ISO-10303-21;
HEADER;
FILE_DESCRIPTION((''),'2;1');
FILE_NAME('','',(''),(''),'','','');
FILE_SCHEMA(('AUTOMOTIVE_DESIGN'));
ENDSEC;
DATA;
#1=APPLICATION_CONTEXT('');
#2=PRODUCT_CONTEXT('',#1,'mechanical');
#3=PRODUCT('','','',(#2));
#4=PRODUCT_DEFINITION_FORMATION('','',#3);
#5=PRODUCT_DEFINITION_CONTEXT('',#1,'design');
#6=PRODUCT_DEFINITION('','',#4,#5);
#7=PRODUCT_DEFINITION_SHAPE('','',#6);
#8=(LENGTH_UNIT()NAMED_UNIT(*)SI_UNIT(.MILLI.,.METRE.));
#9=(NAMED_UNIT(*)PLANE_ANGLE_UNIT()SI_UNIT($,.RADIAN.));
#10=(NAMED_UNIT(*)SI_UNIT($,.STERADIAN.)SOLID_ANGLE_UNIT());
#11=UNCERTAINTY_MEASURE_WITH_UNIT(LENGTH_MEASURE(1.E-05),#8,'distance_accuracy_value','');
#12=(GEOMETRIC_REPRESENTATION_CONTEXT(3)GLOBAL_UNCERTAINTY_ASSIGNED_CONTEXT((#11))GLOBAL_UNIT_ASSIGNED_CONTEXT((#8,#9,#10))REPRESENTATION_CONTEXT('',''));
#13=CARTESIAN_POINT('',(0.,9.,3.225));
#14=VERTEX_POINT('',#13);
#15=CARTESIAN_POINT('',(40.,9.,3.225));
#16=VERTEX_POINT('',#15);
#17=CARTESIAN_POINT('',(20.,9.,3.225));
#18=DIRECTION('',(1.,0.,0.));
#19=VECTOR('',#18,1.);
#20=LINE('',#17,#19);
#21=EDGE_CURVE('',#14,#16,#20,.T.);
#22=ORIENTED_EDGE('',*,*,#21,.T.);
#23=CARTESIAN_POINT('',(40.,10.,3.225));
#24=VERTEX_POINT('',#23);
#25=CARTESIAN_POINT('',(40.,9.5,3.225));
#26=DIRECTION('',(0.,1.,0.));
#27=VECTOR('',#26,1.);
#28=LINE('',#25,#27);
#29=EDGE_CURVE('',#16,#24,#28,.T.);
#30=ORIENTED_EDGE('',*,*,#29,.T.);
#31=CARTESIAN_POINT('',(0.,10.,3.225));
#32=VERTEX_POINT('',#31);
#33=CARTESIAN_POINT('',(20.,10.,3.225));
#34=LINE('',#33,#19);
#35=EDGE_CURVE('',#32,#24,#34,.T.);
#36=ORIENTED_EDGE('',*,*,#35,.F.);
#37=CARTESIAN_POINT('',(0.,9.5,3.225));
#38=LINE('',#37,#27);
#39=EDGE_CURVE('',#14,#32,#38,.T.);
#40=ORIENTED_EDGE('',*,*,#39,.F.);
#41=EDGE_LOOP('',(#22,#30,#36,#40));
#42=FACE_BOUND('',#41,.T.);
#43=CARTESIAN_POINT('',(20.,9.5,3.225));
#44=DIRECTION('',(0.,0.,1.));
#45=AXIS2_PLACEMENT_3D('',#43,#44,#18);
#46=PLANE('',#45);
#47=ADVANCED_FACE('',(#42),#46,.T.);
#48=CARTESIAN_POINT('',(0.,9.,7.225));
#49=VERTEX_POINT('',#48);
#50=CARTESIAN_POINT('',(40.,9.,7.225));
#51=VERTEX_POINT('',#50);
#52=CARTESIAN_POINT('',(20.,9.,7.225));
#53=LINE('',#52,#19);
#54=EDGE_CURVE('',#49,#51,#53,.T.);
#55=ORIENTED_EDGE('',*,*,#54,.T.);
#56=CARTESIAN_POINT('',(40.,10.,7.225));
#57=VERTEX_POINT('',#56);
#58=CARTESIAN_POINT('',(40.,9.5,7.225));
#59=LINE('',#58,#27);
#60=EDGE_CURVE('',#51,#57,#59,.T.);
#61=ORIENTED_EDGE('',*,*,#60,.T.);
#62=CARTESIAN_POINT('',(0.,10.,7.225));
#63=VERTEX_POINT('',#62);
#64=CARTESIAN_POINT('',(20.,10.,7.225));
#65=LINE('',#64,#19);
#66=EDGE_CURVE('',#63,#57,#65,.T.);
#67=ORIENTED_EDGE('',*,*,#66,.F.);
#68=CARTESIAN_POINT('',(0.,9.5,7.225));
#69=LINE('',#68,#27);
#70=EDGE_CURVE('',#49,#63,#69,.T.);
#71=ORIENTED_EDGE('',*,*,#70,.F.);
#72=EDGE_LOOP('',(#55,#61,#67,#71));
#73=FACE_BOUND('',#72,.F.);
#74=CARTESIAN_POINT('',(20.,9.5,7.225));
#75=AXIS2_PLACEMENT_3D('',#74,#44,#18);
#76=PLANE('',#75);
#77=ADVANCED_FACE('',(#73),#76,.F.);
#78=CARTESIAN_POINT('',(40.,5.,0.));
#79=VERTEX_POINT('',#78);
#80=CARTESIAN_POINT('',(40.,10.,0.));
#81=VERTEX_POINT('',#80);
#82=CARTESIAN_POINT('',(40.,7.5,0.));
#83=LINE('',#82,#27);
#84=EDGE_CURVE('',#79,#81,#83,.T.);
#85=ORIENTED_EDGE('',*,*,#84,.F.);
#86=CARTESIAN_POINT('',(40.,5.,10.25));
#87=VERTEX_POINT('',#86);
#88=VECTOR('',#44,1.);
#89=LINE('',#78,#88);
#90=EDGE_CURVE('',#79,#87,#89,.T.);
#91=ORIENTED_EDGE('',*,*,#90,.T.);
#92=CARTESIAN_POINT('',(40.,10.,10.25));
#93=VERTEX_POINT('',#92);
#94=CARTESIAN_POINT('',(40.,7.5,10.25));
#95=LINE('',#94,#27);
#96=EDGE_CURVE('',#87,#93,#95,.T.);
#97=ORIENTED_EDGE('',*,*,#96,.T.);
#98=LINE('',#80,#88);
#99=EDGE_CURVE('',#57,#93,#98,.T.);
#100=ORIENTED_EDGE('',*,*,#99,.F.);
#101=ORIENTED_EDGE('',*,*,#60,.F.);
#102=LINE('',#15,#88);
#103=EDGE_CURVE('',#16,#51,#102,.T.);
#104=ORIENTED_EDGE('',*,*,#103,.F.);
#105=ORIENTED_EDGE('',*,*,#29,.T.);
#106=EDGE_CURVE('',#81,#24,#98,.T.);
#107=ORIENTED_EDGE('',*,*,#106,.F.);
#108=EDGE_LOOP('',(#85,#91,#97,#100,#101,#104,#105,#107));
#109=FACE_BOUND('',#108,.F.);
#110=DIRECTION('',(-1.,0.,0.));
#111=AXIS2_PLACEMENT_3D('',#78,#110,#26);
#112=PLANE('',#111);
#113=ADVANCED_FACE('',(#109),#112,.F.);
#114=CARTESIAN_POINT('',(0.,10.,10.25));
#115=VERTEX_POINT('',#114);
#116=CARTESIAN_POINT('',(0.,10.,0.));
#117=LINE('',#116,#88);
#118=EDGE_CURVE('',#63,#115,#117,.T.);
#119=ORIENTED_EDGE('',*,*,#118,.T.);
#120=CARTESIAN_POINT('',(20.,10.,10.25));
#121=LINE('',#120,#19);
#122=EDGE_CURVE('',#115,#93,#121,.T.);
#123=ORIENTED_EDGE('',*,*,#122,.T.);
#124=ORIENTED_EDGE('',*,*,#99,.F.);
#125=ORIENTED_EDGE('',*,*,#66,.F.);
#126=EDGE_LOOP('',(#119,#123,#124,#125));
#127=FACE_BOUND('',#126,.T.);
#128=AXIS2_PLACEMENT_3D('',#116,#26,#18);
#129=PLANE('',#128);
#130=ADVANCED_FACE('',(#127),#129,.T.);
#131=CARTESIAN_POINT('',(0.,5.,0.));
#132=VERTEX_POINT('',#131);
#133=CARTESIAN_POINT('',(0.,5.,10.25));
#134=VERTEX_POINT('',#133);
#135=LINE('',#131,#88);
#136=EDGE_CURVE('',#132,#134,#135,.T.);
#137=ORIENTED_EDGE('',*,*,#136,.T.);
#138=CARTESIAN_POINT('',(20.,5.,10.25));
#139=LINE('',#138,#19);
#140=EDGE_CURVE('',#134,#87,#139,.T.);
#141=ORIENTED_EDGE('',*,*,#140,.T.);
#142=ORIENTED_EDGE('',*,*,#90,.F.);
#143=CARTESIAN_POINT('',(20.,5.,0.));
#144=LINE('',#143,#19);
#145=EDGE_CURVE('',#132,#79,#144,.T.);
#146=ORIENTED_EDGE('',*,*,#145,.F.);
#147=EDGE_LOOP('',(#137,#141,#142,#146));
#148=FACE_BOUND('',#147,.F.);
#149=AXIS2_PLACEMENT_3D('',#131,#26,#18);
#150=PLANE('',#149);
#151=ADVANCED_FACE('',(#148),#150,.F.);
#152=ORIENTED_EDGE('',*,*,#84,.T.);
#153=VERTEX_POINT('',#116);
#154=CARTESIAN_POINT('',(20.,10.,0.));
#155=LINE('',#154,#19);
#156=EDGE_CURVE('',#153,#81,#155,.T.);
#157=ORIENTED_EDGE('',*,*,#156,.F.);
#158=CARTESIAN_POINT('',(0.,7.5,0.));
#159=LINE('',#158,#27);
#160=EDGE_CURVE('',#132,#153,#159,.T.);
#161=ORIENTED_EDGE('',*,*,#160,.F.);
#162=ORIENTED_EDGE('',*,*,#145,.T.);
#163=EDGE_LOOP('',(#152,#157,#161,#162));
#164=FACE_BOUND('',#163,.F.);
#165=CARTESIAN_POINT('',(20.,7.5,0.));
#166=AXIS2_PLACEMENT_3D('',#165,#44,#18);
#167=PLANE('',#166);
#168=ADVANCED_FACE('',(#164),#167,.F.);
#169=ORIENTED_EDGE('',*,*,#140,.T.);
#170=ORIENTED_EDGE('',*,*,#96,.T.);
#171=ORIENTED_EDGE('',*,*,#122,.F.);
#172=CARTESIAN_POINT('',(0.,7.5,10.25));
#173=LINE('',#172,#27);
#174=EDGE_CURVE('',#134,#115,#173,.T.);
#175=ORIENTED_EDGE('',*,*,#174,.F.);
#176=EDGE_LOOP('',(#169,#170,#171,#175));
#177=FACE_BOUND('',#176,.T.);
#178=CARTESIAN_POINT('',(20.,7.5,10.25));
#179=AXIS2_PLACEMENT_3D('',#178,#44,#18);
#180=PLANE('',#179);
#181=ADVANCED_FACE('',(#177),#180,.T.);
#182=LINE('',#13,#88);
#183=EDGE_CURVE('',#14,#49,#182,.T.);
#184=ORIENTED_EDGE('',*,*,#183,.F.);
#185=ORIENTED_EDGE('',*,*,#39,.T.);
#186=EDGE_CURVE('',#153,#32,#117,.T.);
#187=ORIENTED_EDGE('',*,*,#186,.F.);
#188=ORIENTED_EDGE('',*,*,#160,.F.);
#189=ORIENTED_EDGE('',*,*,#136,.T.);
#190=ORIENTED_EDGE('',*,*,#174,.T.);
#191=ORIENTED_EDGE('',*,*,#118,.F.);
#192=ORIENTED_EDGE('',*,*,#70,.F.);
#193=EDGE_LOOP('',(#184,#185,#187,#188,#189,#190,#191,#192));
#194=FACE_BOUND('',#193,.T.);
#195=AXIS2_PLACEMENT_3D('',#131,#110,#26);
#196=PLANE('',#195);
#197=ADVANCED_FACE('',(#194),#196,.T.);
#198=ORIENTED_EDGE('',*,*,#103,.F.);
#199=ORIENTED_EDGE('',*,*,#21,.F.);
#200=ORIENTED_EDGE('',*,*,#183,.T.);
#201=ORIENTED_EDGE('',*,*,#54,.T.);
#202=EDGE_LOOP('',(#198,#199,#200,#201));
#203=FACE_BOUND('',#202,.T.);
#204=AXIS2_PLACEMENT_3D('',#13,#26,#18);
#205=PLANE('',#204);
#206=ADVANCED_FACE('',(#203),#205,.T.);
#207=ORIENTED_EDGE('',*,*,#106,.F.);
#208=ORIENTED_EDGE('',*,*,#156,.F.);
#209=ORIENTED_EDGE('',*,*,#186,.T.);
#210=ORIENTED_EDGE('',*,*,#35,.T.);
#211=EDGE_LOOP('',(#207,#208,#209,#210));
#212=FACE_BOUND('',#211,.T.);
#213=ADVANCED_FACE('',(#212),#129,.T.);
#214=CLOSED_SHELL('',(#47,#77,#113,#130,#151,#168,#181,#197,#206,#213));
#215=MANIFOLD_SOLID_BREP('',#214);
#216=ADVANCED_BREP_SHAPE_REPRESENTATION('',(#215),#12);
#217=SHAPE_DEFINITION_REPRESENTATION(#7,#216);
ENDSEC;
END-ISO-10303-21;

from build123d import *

# Parameters (mm, degrees)
BOX024_W     = 40
BOX024_H     = 1
BOX024_DEPTH = 4
BOX025_W     = 40
BOX025_H     = 5
BOX025_DEPTH = 10.25


with BuildPart() as cube024:
    # Box024 → Box024 (new body)
    with BuildSketch(Plane(origin=(0, 9, 3.225), x_dir=(1, 0, 0), z_dir=(0, 0, 1))):
        with Locations((20, 0.5)):
            Rectangle(BOX024_W, BOX024_H)
    extrude(amount=BOX024_DEPTH)


with BuildPart() as t_slot_align_cut:
    # Box025 → Box025 (new body)
    with BuildSketch(Plane(origin=(0, 5, 0), x_dir=(1, 0, 0), z_dir=(0, 0, 1))):
        with Locations((20, 2.5)):
            Rectangle(BOX025_W, BOX025_H)
    extrude(amount=BOX025_DEPTH)

    # Cut025: cut Cube024
    add(cube024.part, mode=Mode.SUBTRACT)


solid = t_slot_align_cut.part
